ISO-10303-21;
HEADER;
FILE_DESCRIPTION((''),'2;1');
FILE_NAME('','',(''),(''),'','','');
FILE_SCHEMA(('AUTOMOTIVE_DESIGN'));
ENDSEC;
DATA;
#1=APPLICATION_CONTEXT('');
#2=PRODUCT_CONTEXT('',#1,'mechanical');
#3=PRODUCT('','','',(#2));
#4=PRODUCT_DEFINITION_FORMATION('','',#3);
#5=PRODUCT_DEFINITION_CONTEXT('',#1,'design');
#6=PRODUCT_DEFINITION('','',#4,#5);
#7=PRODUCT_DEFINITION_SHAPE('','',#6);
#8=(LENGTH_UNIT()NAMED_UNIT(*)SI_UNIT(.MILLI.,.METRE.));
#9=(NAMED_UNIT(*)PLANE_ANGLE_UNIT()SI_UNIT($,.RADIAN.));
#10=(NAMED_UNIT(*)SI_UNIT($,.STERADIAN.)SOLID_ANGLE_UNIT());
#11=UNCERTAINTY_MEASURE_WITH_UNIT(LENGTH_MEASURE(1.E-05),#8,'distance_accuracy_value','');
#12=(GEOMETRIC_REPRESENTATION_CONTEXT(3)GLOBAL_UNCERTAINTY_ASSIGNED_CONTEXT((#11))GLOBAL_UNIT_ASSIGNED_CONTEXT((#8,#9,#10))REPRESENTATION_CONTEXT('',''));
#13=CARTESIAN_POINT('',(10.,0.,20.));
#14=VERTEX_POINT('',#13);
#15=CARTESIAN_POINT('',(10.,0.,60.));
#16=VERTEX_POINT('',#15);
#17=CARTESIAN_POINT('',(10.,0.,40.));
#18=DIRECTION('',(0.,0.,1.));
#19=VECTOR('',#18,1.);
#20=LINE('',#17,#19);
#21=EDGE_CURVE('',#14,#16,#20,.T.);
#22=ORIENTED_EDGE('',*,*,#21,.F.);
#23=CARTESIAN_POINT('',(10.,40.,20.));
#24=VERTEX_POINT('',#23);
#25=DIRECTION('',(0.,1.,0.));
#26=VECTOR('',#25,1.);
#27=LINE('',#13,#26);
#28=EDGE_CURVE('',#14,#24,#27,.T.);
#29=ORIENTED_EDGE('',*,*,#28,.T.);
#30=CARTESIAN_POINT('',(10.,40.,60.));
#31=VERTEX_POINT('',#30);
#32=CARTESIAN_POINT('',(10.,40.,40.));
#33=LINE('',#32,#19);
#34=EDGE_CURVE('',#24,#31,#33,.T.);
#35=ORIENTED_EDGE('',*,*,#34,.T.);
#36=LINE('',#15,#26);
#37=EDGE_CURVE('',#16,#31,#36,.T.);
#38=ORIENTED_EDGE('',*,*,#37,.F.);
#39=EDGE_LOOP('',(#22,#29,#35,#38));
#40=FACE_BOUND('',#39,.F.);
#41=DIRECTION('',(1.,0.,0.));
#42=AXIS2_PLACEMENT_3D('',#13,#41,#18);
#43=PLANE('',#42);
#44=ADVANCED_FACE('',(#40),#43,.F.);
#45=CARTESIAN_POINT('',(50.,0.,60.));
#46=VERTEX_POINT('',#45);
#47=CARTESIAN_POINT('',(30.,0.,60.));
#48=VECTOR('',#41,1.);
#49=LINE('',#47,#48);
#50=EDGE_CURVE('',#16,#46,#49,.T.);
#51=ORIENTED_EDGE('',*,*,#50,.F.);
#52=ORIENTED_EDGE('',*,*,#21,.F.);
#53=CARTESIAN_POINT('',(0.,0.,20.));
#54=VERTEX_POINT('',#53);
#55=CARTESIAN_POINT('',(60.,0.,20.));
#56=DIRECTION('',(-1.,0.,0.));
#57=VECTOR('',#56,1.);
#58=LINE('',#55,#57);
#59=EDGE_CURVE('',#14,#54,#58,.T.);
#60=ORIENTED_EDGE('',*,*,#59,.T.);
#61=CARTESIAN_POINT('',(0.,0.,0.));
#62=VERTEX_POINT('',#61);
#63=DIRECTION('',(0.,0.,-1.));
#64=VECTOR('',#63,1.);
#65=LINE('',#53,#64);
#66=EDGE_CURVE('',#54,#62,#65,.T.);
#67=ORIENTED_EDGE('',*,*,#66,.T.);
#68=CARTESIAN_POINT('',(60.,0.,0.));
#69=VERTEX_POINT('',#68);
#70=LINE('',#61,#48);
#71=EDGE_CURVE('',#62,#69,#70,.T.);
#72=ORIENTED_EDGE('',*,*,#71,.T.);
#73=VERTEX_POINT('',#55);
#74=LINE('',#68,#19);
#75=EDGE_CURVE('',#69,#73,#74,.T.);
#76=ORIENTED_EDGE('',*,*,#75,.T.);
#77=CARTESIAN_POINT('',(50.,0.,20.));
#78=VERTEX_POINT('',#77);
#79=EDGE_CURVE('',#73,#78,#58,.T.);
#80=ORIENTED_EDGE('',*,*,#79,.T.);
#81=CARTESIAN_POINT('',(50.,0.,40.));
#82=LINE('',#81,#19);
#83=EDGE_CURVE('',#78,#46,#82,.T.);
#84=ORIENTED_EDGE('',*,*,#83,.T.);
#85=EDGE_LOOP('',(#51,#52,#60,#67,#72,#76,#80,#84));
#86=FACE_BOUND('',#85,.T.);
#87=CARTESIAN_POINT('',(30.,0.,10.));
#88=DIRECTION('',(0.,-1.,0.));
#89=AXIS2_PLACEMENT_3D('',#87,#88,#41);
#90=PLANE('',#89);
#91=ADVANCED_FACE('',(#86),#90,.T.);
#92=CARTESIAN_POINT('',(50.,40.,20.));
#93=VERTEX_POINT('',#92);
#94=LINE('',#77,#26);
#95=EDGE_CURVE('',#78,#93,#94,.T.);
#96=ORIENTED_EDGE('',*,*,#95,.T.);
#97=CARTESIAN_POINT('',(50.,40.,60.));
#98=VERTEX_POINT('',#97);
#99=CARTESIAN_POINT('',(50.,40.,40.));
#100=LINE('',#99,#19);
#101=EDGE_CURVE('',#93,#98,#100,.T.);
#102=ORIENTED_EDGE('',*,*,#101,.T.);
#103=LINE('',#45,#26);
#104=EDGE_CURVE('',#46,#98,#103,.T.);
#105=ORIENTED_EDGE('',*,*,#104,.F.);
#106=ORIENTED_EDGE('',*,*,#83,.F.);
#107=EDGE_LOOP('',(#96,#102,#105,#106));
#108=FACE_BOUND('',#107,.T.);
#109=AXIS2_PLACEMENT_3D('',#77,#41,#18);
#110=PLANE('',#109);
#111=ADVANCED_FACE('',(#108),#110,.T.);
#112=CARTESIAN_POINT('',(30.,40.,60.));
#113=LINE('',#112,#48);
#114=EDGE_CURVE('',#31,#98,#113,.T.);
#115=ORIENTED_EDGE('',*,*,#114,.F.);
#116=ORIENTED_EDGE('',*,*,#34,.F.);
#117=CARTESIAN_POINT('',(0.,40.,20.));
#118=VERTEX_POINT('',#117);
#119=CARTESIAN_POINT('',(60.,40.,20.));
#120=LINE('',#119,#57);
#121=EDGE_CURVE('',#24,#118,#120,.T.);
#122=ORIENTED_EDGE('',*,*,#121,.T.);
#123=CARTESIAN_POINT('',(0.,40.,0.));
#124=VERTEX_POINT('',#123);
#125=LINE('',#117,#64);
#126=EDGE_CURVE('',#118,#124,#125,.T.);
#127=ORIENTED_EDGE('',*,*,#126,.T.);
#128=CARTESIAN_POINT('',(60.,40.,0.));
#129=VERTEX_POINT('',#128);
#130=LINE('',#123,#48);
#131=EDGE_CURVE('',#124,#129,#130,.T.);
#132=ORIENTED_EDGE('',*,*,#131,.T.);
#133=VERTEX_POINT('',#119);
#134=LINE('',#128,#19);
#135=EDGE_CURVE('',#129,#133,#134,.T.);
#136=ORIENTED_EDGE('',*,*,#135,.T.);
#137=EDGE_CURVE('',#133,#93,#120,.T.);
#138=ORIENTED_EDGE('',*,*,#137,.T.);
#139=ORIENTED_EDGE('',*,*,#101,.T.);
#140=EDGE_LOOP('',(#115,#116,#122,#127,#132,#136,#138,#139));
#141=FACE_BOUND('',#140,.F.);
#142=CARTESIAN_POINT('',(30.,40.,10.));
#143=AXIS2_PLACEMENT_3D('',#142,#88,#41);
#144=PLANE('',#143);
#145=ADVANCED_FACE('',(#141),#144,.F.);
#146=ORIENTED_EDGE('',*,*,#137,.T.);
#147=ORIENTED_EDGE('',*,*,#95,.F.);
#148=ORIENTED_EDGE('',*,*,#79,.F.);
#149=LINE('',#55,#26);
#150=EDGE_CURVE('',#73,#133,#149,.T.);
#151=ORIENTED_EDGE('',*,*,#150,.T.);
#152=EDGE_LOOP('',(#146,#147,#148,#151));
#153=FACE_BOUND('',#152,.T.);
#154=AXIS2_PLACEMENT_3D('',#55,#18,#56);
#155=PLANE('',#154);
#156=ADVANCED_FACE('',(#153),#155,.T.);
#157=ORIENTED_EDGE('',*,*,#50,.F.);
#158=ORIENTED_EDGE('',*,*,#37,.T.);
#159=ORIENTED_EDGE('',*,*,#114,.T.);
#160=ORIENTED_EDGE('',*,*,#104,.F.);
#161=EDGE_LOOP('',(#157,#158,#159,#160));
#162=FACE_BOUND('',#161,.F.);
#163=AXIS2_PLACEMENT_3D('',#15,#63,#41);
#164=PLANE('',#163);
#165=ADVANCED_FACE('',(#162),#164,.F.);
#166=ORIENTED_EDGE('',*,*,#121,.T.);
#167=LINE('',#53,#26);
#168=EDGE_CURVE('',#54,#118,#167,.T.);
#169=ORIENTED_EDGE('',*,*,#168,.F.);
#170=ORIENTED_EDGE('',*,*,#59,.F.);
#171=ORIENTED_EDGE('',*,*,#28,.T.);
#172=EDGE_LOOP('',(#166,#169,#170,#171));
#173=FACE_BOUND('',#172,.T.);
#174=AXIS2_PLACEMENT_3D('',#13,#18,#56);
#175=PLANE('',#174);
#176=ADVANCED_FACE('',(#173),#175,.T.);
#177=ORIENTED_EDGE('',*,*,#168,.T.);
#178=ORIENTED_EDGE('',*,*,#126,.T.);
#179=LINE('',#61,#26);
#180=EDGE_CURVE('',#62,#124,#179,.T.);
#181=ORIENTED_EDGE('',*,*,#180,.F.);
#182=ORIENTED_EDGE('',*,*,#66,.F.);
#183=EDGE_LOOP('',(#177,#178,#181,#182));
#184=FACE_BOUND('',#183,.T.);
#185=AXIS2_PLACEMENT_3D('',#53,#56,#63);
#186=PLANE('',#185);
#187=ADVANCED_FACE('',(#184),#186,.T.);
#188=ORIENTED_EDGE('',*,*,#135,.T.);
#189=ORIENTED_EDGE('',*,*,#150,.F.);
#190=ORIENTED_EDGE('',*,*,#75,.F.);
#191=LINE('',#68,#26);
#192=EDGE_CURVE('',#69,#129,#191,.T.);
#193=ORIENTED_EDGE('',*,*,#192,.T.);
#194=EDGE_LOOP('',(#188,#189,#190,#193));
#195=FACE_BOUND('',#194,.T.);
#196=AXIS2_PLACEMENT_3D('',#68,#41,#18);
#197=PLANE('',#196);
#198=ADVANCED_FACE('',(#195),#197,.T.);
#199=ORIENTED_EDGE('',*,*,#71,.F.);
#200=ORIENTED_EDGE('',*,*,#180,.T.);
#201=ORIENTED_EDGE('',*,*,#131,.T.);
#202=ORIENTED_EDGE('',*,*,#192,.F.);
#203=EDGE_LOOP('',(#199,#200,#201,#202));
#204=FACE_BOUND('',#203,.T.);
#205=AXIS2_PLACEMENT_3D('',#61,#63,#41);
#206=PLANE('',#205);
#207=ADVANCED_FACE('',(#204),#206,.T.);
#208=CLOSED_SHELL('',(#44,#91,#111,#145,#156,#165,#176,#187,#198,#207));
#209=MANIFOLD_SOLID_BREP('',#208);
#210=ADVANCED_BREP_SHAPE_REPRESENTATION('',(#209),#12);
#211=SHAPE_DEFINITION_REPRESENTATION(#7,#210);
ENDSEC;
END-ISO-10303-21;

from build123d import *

# Parameters (mm, degrees)
F0_W     = 40
F0_H     = 40
F1_DEPTH = 40


with BuildPart() as f1:
    # F0 (on Front) → F1 (new body)
    with BuildSketch(Plane.XZ):
        Polygon((0, 20), (0, 0), (60, 0), (60, 20), (50, 20), (10, 20), align=None)
        with Locations((30, 40)):
            Rectangle(F0_W, F0_H)
    extrude(amount=-F1_DEPTH)


solid = f1.part
